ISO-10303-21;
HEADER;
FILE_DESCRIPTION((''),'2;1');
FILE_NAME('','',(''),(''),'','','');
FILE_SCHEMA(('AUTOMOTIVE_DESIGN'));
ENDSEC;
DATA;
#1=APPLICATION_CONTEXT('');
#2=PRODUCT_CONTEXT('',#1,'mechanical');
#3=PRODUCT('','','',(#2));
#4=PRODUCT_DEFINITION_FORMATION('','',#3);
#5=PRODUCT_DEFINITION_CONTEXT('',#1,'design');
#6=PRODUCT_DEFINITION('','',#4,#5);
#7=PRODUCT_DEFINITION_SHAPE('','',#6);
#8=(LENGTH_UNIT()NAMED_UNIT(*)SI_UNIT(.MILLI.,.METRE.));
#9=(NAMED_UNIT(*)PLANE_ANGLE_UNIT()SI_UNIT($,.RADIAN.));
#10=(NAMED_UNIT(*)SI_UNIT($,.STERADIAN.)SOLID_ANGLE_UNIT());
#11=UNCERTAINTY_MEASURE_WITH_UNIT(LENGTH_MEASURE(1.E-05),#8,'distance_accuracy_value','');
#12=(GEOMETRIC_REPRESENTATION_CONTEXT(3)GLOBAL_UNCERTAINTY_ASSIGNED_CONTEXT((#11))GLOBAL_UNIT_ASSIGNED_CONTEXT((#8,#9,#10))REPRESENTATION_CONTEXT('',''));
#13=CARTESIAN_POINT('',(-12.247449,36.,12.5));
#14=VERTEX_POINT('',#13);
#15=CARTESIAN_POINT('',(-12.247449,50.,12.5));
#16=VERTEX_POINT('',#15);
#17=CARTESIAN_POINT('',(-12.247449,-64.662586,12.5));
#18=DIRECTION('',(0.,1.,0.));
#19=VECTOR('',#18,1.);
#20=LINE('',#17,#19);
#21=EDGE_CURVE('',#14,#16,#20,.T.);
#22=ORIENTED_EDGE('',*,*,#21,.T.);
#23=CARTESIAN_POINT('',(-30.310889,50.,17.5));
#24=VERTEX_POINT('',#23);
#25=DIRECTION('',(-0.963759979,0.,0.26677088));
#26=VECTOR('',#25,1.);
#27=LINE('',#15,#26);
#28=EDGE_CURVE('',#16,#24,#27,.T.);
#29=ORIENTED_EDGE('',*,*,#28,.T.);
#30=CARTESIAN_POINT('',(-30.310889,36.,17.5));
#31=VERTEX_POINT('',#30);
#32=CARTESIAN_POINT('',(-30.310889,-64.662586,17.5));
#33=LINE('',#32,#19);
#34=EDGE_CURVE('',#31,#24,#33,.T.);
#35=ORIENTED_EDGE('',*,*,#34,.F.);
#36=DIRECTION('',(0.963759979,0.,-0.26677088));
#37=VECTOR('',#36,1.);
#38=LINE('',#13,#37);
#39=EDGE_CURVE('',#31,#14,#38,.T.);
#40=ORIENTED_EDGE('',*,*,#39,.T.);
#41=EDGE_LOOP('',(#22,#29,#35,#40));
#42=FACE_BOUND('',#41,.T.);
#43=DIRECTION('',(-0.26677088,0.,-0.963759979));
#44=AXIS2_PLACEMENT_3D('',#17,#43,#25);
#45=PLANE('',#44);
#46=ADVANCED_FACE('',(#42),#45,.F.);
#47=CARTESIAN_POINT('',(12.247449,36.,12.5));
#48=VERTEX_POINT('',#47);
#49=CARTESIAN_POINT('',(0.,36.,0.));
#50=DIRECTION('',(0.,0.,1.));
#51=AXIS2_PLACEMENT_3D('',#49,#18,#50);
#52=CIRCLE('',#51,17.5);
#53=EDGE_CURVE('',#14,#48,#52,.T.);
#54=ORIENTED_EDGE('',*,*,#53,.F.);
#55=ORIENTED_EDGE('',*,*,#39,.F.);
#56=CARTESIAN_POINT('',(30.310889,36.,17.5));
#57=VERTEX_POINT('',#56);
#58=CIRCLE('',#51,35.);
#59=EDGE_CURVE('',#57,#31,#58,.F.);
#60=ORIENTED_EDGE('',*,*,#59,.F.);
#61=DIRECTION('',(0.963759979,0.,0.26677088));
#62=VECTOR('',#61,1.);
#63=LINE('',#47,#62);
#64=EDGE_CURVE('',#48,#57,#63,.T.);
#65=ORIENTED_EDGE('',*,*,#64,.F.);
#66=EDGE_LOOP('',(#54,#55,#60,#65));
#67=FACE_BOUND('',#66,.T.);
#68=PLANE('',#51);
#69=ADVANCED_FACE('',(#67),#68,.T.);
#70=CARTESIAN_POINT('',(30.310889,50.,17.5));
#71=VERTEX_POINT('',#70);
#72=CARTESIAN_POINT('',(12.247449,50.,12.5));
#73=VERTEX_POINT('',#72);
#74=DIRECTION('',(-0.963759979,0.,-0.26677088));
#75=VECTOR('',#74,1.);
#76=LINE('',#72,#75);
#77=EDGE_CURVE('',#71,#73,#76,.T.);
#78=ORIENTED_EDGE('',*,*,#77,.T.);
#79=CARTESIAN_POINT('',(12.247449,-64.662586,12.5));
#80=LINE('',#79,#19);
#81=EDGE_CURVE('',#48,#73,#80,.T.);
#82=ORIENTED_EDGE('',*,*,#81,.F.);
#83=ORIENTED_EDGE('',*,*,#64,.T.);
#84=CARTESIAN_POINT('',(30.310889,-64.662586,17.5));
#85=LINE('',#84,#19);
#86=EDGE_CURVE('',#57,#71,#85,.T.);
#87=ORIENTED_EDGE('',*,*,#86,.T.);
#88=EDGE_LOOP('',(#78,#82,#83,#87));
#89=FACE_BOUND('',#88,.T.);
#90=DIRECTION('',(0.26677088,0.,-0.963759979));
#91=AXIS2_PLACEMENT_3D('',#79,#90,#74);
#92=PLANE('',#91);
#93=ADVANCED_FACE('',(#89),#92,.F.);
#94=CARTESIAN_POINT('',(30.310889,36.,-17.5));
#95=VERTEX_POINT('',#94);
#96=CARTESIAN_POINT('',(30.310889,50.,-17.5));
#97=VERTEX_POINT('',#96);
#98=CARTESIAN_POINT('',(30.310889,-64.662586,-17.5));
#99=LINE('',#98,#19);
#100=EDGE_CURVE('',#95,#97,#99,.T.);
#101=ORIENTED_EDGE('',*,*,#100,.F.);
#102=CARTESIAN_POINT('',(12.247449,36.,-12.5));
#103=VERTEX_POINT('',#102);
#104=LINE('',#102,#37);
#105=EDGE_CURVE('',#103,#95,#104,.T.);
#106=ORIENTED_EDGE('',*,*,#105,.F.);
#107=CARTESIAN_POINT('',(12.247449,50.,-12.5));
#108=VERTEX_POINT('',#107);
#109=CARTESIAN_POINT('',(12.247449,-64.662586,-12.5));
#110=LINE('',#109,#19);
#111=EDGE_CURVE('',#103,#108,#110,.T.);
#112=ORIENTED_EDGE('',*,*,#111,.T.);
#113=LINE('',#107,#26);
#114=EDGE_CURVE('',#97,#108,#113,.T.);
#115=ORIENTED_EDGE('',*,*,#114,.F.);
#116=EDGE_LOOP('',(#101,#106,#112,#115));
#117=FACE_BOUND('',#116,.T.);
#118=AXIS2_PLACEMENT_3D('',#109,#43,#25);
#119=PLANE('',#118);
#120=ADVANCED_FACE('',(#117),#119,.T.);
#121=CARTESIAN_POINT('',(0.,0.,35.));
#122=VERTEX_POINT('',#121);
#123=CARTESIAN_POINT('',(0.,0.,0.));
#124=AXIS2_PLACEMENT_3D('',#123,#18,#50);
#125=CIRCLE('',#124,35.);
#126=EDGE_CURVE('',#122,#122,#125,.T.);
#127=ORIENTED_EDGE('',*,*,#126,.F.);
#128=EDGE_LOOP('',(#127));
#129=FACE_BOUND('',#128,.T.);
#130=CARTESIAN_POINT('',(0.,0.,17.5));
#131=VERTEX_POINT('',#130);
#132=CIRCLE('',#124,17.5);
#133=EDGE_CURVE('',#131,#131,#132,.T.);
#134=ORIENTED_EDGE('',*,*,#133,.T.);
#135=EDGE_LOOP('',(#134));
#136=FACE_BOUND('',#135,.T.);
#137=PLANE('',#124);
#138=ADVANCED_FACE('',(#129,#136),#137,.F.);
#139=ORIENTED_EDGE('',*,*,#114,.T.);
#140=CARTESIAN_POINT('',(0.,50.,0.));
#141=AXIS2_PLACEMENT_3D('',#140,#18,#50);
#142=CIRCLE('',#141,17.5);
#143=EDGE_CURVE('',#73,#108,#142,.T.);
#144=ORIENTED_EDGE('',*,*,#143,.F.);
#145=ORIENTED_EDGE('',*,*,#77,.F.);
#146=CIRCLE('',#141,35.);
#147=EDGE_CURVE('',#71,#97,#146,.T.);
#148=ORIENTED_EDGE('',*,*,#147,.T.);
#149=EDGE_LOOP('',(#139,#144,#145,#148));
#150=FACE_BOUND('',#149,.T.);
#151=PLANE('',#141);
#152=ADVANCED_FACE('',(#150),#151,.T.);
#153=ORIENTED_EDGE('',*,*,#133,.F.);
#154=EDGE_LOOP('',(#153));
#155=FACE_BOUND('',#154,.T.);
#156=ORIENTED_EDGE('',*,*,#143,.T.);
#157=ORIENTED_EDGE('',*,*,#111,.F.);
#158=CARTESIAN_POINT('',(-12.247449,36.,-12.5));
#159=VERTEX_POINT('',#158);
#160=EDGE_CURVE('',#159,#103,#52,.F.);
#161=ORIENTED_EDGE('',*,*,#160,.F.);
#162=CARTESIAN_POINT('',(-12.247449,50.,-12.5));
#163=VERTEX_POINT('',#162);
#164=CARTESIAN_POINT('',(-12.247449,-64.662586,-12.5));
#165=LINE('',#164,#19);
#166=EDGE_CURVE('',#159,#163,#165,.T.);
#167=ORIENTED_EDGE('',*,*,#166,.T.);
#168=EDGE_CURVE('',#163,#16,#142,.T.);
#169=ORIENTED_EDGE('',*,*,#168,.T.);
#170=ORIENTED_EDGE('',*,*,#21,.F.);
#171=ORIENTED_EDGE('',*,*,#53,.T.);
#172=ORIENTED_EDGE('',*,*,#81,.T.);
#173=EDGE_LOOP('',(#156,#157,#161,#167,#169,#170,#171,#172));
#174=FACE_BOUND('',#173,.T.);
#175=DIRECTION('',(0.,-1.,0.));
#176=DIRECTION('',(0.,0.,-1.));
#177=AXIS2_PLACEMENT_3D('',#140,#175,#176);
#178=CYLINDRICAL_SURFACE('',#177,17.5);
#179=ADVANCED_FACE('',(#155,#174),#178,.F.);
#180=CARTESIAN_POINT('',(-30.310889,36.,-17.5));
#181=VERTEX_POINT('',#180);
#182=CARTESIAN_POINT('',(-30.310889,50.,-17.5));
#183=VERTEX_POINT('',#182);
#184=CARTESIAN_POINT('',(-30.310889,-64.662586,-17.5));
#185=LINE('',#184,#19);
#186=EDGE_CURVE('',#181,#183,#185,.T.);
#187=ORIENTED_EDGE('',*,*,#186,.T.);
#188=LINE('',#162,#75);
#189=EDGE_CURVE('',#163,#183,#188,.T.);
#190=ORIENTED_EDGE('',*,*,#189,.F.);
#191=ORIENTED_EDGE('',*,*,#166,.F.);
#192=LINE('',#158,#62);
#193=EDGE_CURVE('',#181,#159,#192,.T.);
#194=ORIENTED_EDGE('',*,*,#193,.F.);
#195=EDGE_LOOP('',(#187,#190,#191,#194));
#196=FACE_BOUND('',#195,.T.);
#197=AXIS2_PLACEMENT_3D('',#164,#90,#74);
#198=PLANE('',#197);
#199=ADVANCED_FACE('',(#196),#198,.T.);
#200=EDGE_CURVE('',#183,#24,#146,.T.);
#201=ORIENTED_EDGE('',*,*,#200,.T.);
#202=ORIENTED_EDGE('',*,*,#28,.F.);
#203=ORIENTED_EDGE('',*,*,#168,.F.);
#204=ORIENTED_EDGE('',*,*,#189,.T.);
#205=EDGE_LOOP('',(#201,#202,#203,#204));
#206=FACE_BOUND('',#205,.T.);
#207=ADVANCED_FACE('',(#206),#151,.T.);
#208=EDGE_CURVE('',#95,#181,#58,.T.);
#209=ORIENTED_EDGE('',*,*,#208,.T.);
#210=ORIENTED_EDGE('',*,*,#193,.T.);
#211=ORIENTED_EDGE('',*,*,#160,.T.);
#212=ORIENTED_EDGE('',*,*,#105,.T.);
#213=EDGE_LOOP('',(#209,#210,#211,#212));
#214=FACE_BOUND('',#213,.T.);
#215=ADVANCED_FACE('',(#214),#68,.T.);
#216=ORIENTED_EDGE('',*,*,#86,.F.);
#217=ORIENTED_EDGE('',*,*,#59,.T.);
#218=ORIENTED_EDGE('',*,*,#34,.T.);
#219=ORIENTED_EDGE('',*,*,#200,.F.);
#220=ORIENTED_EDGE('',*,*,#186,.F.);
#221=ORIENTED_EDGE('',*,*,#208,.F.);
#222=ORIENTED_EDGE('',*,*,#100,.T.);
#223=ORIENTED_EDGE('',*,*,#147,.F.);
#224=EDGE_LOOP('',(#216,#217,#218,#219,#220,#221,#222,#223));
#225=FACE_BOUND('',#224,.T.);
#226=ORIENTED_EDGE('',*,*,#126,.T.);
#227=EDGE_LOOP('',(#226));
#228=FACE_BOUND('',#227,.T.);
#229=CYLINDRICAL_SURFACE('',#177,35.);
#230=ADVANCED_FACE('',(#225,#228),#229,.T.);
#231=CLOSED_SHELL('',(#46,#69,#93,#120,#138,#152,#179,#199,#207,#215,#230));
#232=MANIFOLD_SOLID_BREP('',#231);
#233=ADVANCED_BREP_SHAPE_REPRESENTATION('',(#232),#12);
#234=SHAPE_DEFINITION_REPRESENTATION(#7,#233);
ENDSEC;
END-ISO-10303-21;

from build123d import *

# Parameters (mm, degrees)
SKETCH1_R           = 35
SKETCH1_R_2         = 17.5
BOSS_EXTRUDE1_DEPTH = 50
CUT_EXTRUDE1_START  = -14
CUT_EXTRUDE1_DEPTH  = 14


with BuildPart() as part:
    # Sketch1 → Boss-Extrude1 (new body)
    with BuildSketch(Plane(origin=(0, 0, 0), x_dir=(1, 0, 0), z_dir=(0, 1, 0))):
        with Locations(Location((0, 0, 0), (0, 0, 270))):
            Circle(SKETCH1_R)
        with Locations(Location((0, 0, 0), (0, 0, 270))):
            Circle(SKETCH1_R_2, mode=Mode.SUBTRACT)
    extrude(amount=BOSS_EXTRUDE1_DEPTH)

    # Sketch2 → Cut-Extrude1 (cut)
    with BuildSketch(Plane(origin=(0, 50, 0), x_dir=(1, 0, 0), z_dir=(0, 1, 0)).offset(CUT_EXTRUDE1_START)):
        with BuildLine():
            Line((12.247448714, -12.5), (30.310889132, -17.5))
            ThreePointArc((30.310889132, -17.5), (0, -35), (-30.310889132, -17.5))
            Line((-30.310889132, -17.5), (-12.247448714, -12.5))
            ThreePointArc((-12.247448714, -12.5), (0, -17.5), (12.247448714, -12.5))
        make_face()
    cut_extrude1 = extrude(amount=CUT_EXTRUDE1_DEPTH, mode=Mode.SUBTRACT)

    # Mirror1: Cut-Extrude1 across plane
    add(cut_extrude1.mirror(Plane.XY), mode=Mode.SUBTRACT)


solid = part.part
